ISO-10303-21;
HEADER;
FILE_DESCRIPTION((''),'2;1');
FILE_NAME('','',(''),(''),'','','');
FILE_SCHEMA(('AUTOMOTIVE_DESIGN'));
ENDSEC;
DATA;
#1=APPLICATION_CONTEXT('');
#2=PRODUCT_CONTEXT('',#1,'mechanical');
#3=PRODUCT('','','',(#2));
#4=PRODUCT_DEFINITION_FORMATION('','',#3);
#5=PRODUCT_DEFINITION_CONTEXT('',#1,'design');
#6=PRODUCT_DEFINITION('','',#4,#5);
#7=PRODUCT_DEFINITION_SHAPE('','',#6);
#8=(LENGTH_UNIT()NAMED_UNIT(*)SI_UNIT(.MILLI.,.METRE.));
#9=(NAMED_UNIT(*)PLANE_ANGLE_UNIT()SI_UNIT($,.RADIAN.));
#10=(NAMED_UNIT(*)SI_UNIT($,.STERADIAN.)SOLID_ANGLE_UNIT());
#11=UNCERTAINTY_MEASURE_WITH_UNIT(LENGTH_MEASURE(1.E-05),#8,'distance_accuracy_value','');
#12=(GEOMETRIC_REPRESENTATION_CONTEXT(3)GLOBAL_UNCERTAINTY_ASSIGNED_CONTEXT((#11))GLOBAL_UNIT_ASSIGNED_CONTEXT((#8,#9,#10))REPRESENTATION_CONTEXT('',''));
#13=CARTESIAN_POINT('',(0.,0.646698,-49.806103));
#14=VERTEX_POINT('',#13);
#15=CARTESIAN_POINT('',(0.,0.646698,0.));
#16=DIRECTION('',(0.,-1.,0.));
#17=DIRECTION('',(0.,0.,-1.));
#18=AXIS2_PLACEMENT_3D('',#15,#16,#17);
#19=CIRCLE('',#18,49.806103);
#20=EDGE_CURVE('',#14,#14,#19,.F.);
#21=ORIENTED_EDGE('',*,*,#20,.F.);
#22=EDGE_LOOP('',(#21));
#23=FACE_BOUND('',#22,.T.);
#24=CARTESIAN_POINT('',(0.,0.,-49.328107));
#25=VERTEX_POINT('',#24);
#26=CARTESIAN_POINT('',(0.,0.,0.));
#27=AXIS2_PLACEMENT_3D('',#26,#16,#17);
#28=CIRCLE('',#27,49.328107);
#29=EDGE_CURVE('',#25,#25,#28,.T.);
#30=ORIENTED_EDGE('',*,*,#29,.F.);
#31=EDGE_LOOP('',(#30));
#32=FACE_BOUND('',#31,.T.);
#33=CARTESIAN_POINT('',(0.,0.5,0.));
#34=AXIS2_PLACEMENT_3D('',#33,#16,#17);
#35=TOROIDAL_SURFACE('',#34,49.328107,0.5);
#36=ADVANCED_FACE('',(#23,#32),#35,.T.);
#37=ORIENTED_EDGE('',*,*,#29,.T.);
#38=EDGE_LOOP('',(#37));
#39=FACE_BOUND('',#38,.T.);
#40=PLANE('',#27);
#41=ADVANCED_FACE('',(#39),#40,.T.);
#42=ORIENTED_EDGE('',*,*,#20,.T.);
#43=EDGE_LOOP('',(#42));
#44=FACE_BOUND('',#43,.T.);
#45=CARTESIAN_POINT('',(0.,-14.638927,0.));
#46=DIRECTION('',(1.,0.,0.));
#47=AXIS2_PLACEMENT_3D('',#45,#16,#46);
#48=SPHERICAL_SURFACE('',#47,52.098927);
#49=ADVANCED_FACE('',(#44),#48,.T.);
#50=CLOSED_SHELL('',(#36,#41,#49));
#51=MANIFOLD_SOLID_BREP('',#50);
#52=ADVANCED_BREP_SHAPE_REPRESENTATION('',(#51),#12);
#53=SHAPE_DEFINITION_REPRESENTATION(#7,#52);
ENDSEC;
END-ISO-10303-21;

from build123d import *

# Parameters (mm, degrees)
FILLET2_R = 0.5


with BuildPart() as part:
    # Sketch1 → Revolve1 (revolve)
    with BuildSketch(Plane.XY):
        with BuildLine():
            Line((0, 0), (0, 37.46))
            ThreePointArc((0, 37.46), (31.238004098, 27.056220098), (50, 0))
            Line((50, 0), (0, 0))
        make_face()
    revolve(axis=Axis((0, 0, 0), (0, 1, 0)))

    # Fillet2
    fillet2_edges = [part.edges().sort_by_distance(p)[0] for p in [
        (-50, 0, 0),
    ]]
    fillet(fillet2_edges, radius=FILLET2_R)


solid = part.part
